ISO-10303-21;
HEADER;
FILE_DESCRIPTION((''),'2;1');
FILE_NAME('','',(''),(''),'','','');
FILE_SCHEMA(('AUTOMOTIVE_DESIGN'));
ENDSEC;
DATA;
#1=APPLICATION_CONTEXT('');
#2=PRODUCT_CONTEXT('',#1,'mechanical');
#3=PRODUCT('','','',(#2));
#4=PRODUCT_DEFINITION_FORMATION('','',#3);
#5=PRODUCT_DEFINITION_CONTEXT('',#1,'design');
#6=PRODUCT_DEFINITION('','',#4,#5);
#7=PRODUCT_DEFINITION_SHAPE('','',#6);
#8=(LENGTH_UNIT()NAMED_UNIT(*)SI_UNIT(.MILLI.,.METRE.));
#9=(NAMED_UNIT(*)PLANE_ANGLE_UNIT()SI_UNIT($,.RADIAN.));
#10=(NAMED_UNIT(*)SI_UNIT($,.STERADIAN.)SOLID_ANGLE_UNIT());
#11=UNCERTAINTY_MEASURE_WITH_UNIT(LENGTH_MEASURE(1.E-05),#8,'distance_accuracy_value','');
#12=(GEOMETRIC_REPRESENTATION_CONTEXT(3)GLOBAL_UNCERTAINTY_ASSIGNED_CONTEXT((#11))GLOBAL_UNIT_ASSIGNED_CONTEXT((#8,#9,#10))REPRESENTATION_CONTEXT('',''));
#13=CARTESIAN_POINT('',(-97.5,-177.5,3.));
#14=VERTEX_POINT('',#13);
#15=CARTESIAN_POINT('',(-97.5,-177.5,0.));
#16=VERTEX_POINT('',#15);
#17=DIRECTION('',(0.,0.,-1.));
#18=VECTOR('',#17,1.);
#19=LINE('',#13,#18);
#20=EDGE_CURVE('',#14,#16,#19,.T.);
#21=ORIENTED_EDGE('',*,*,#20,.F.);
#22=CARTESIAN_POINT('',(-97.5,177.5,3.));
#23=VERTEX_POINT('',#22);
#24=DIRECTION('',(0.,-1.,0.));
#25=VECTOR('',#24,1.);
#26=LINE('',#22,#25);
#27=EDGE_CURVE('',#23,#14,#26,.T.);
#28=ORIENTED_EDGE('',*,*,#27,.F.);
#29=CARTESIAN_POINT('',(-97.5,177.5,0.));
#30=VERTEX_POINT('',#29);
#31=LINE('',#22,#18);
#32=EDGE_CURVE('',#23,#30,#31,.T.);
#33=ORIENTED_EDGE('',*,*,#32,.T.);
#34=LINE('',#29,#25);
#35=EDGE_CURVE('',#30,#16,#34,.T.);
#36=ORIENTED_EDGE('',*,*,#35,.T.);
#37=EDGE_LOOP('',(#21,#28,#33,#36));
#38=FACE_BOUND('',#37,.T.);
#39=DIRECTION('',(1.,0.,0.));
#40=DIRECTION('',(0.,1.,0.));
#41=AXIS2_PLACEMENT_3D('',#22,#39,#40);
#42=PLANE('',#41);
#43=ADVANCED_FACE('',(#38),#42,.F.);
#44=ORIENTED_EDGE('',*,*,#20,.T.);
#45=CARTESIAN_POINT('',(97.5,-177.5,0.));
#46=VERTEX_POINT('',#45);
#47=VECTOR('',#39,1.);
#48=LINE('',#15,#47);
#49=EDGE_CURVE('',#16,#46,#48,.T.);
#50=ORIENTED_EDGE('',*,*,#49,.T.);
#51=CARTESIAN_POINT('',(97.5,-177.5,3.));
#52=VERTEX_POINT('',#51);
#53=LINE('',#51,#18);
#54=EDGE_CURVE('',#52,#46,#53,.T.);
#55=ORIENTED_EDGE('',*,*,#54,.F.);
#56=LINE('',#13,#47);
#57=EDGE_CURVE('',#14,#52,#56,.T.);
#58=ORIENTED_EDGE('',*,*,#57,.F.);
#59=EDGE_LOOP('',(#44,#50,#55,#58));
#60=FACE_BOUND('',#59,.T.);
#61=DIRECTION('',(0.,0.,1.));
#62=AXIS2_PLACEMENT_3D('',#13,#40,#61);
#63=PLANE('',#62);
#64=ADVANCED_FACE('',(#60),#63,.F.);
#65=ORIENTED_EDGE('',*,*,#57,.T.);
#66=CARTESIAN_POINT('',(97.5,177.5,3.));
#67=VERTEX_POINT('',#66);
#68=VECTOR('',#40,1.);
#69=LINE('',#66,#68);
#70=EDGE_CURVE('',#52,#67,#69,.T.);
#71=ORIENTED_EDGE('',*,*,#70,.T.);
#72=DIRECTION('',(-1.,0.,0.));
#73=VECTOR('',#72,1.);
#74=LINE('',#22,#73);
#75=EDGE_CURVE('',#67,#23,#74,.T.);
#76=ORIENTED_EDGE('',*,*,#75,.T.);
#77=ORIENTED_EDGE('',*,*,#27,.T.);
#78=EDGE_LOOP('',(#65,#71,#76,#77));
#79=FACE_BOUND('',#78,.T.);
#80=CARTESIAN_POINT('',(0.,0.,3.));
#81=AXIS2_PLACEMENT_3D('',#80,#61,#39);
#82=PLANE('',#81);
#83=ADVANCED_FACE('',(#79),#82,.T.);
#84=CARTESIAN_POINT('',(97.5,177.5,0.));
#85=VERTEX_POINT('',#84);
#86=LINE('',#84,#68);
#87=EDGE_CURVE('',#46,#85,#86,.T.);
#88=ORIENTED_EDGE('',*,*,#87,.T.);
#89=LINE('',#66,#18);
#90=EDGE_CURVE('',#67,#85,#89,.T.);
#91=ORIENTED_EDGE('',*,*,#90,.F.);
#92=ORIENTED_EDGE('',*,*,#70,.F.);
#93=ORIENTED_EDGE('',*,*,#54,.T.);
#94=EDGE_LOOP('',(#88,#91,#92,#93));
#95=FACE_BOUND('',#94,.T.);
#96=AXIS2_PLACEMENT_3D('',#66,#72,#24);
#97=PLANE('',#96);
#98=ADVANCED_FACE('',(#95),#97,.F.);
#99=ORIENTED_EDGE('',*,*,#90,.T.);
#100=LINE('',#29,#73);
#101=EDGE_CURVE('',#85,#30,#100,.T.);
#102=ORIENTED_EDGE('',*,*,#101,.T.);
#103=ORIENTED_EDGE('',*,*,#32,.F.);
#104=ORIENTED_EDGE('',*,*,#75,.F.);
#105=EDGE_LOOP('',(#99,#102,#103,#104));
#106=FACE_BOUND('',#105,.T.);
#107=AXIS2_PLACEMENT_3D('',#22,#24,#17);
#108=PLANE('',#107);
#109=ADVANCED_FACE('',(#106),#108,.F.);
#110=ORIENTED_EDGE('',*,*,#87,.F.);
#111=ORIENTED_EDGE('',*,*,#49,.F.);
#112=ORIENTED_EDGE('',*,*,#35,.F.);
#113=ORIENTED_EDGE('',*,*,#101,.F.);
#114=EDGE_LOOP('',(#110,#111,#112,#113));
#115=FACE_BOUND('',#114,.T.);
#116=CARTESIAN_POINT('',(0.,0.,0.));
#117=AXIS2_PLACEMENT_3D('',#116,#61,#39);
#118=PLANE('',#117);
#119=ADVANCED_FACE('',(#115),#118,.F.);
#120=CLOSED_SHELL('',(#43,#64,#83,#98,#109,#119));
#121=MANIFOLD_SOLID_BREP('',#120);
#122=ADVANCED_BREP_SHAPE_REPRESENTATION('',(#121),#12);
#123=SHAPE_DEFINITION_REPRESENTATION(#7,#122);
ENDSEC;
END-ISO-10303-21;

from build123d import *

# Parameters (mm, degrees)
SKICA1_W                = 195
SKICA1_H                = 355
P_IDAT_VYSUNUT_M1_DEPTH = 3


with BuildPart() as part:
    # Skica1 → Přidat vysunutím1 (new body)
    with BuildSketch(Plane.XY):
        Rectangle(SKICA1_W, SKICA1_H)
    extrude(amount=P_IDAT_VYSUNUT_M1_DEPTH)


solid = part.part
